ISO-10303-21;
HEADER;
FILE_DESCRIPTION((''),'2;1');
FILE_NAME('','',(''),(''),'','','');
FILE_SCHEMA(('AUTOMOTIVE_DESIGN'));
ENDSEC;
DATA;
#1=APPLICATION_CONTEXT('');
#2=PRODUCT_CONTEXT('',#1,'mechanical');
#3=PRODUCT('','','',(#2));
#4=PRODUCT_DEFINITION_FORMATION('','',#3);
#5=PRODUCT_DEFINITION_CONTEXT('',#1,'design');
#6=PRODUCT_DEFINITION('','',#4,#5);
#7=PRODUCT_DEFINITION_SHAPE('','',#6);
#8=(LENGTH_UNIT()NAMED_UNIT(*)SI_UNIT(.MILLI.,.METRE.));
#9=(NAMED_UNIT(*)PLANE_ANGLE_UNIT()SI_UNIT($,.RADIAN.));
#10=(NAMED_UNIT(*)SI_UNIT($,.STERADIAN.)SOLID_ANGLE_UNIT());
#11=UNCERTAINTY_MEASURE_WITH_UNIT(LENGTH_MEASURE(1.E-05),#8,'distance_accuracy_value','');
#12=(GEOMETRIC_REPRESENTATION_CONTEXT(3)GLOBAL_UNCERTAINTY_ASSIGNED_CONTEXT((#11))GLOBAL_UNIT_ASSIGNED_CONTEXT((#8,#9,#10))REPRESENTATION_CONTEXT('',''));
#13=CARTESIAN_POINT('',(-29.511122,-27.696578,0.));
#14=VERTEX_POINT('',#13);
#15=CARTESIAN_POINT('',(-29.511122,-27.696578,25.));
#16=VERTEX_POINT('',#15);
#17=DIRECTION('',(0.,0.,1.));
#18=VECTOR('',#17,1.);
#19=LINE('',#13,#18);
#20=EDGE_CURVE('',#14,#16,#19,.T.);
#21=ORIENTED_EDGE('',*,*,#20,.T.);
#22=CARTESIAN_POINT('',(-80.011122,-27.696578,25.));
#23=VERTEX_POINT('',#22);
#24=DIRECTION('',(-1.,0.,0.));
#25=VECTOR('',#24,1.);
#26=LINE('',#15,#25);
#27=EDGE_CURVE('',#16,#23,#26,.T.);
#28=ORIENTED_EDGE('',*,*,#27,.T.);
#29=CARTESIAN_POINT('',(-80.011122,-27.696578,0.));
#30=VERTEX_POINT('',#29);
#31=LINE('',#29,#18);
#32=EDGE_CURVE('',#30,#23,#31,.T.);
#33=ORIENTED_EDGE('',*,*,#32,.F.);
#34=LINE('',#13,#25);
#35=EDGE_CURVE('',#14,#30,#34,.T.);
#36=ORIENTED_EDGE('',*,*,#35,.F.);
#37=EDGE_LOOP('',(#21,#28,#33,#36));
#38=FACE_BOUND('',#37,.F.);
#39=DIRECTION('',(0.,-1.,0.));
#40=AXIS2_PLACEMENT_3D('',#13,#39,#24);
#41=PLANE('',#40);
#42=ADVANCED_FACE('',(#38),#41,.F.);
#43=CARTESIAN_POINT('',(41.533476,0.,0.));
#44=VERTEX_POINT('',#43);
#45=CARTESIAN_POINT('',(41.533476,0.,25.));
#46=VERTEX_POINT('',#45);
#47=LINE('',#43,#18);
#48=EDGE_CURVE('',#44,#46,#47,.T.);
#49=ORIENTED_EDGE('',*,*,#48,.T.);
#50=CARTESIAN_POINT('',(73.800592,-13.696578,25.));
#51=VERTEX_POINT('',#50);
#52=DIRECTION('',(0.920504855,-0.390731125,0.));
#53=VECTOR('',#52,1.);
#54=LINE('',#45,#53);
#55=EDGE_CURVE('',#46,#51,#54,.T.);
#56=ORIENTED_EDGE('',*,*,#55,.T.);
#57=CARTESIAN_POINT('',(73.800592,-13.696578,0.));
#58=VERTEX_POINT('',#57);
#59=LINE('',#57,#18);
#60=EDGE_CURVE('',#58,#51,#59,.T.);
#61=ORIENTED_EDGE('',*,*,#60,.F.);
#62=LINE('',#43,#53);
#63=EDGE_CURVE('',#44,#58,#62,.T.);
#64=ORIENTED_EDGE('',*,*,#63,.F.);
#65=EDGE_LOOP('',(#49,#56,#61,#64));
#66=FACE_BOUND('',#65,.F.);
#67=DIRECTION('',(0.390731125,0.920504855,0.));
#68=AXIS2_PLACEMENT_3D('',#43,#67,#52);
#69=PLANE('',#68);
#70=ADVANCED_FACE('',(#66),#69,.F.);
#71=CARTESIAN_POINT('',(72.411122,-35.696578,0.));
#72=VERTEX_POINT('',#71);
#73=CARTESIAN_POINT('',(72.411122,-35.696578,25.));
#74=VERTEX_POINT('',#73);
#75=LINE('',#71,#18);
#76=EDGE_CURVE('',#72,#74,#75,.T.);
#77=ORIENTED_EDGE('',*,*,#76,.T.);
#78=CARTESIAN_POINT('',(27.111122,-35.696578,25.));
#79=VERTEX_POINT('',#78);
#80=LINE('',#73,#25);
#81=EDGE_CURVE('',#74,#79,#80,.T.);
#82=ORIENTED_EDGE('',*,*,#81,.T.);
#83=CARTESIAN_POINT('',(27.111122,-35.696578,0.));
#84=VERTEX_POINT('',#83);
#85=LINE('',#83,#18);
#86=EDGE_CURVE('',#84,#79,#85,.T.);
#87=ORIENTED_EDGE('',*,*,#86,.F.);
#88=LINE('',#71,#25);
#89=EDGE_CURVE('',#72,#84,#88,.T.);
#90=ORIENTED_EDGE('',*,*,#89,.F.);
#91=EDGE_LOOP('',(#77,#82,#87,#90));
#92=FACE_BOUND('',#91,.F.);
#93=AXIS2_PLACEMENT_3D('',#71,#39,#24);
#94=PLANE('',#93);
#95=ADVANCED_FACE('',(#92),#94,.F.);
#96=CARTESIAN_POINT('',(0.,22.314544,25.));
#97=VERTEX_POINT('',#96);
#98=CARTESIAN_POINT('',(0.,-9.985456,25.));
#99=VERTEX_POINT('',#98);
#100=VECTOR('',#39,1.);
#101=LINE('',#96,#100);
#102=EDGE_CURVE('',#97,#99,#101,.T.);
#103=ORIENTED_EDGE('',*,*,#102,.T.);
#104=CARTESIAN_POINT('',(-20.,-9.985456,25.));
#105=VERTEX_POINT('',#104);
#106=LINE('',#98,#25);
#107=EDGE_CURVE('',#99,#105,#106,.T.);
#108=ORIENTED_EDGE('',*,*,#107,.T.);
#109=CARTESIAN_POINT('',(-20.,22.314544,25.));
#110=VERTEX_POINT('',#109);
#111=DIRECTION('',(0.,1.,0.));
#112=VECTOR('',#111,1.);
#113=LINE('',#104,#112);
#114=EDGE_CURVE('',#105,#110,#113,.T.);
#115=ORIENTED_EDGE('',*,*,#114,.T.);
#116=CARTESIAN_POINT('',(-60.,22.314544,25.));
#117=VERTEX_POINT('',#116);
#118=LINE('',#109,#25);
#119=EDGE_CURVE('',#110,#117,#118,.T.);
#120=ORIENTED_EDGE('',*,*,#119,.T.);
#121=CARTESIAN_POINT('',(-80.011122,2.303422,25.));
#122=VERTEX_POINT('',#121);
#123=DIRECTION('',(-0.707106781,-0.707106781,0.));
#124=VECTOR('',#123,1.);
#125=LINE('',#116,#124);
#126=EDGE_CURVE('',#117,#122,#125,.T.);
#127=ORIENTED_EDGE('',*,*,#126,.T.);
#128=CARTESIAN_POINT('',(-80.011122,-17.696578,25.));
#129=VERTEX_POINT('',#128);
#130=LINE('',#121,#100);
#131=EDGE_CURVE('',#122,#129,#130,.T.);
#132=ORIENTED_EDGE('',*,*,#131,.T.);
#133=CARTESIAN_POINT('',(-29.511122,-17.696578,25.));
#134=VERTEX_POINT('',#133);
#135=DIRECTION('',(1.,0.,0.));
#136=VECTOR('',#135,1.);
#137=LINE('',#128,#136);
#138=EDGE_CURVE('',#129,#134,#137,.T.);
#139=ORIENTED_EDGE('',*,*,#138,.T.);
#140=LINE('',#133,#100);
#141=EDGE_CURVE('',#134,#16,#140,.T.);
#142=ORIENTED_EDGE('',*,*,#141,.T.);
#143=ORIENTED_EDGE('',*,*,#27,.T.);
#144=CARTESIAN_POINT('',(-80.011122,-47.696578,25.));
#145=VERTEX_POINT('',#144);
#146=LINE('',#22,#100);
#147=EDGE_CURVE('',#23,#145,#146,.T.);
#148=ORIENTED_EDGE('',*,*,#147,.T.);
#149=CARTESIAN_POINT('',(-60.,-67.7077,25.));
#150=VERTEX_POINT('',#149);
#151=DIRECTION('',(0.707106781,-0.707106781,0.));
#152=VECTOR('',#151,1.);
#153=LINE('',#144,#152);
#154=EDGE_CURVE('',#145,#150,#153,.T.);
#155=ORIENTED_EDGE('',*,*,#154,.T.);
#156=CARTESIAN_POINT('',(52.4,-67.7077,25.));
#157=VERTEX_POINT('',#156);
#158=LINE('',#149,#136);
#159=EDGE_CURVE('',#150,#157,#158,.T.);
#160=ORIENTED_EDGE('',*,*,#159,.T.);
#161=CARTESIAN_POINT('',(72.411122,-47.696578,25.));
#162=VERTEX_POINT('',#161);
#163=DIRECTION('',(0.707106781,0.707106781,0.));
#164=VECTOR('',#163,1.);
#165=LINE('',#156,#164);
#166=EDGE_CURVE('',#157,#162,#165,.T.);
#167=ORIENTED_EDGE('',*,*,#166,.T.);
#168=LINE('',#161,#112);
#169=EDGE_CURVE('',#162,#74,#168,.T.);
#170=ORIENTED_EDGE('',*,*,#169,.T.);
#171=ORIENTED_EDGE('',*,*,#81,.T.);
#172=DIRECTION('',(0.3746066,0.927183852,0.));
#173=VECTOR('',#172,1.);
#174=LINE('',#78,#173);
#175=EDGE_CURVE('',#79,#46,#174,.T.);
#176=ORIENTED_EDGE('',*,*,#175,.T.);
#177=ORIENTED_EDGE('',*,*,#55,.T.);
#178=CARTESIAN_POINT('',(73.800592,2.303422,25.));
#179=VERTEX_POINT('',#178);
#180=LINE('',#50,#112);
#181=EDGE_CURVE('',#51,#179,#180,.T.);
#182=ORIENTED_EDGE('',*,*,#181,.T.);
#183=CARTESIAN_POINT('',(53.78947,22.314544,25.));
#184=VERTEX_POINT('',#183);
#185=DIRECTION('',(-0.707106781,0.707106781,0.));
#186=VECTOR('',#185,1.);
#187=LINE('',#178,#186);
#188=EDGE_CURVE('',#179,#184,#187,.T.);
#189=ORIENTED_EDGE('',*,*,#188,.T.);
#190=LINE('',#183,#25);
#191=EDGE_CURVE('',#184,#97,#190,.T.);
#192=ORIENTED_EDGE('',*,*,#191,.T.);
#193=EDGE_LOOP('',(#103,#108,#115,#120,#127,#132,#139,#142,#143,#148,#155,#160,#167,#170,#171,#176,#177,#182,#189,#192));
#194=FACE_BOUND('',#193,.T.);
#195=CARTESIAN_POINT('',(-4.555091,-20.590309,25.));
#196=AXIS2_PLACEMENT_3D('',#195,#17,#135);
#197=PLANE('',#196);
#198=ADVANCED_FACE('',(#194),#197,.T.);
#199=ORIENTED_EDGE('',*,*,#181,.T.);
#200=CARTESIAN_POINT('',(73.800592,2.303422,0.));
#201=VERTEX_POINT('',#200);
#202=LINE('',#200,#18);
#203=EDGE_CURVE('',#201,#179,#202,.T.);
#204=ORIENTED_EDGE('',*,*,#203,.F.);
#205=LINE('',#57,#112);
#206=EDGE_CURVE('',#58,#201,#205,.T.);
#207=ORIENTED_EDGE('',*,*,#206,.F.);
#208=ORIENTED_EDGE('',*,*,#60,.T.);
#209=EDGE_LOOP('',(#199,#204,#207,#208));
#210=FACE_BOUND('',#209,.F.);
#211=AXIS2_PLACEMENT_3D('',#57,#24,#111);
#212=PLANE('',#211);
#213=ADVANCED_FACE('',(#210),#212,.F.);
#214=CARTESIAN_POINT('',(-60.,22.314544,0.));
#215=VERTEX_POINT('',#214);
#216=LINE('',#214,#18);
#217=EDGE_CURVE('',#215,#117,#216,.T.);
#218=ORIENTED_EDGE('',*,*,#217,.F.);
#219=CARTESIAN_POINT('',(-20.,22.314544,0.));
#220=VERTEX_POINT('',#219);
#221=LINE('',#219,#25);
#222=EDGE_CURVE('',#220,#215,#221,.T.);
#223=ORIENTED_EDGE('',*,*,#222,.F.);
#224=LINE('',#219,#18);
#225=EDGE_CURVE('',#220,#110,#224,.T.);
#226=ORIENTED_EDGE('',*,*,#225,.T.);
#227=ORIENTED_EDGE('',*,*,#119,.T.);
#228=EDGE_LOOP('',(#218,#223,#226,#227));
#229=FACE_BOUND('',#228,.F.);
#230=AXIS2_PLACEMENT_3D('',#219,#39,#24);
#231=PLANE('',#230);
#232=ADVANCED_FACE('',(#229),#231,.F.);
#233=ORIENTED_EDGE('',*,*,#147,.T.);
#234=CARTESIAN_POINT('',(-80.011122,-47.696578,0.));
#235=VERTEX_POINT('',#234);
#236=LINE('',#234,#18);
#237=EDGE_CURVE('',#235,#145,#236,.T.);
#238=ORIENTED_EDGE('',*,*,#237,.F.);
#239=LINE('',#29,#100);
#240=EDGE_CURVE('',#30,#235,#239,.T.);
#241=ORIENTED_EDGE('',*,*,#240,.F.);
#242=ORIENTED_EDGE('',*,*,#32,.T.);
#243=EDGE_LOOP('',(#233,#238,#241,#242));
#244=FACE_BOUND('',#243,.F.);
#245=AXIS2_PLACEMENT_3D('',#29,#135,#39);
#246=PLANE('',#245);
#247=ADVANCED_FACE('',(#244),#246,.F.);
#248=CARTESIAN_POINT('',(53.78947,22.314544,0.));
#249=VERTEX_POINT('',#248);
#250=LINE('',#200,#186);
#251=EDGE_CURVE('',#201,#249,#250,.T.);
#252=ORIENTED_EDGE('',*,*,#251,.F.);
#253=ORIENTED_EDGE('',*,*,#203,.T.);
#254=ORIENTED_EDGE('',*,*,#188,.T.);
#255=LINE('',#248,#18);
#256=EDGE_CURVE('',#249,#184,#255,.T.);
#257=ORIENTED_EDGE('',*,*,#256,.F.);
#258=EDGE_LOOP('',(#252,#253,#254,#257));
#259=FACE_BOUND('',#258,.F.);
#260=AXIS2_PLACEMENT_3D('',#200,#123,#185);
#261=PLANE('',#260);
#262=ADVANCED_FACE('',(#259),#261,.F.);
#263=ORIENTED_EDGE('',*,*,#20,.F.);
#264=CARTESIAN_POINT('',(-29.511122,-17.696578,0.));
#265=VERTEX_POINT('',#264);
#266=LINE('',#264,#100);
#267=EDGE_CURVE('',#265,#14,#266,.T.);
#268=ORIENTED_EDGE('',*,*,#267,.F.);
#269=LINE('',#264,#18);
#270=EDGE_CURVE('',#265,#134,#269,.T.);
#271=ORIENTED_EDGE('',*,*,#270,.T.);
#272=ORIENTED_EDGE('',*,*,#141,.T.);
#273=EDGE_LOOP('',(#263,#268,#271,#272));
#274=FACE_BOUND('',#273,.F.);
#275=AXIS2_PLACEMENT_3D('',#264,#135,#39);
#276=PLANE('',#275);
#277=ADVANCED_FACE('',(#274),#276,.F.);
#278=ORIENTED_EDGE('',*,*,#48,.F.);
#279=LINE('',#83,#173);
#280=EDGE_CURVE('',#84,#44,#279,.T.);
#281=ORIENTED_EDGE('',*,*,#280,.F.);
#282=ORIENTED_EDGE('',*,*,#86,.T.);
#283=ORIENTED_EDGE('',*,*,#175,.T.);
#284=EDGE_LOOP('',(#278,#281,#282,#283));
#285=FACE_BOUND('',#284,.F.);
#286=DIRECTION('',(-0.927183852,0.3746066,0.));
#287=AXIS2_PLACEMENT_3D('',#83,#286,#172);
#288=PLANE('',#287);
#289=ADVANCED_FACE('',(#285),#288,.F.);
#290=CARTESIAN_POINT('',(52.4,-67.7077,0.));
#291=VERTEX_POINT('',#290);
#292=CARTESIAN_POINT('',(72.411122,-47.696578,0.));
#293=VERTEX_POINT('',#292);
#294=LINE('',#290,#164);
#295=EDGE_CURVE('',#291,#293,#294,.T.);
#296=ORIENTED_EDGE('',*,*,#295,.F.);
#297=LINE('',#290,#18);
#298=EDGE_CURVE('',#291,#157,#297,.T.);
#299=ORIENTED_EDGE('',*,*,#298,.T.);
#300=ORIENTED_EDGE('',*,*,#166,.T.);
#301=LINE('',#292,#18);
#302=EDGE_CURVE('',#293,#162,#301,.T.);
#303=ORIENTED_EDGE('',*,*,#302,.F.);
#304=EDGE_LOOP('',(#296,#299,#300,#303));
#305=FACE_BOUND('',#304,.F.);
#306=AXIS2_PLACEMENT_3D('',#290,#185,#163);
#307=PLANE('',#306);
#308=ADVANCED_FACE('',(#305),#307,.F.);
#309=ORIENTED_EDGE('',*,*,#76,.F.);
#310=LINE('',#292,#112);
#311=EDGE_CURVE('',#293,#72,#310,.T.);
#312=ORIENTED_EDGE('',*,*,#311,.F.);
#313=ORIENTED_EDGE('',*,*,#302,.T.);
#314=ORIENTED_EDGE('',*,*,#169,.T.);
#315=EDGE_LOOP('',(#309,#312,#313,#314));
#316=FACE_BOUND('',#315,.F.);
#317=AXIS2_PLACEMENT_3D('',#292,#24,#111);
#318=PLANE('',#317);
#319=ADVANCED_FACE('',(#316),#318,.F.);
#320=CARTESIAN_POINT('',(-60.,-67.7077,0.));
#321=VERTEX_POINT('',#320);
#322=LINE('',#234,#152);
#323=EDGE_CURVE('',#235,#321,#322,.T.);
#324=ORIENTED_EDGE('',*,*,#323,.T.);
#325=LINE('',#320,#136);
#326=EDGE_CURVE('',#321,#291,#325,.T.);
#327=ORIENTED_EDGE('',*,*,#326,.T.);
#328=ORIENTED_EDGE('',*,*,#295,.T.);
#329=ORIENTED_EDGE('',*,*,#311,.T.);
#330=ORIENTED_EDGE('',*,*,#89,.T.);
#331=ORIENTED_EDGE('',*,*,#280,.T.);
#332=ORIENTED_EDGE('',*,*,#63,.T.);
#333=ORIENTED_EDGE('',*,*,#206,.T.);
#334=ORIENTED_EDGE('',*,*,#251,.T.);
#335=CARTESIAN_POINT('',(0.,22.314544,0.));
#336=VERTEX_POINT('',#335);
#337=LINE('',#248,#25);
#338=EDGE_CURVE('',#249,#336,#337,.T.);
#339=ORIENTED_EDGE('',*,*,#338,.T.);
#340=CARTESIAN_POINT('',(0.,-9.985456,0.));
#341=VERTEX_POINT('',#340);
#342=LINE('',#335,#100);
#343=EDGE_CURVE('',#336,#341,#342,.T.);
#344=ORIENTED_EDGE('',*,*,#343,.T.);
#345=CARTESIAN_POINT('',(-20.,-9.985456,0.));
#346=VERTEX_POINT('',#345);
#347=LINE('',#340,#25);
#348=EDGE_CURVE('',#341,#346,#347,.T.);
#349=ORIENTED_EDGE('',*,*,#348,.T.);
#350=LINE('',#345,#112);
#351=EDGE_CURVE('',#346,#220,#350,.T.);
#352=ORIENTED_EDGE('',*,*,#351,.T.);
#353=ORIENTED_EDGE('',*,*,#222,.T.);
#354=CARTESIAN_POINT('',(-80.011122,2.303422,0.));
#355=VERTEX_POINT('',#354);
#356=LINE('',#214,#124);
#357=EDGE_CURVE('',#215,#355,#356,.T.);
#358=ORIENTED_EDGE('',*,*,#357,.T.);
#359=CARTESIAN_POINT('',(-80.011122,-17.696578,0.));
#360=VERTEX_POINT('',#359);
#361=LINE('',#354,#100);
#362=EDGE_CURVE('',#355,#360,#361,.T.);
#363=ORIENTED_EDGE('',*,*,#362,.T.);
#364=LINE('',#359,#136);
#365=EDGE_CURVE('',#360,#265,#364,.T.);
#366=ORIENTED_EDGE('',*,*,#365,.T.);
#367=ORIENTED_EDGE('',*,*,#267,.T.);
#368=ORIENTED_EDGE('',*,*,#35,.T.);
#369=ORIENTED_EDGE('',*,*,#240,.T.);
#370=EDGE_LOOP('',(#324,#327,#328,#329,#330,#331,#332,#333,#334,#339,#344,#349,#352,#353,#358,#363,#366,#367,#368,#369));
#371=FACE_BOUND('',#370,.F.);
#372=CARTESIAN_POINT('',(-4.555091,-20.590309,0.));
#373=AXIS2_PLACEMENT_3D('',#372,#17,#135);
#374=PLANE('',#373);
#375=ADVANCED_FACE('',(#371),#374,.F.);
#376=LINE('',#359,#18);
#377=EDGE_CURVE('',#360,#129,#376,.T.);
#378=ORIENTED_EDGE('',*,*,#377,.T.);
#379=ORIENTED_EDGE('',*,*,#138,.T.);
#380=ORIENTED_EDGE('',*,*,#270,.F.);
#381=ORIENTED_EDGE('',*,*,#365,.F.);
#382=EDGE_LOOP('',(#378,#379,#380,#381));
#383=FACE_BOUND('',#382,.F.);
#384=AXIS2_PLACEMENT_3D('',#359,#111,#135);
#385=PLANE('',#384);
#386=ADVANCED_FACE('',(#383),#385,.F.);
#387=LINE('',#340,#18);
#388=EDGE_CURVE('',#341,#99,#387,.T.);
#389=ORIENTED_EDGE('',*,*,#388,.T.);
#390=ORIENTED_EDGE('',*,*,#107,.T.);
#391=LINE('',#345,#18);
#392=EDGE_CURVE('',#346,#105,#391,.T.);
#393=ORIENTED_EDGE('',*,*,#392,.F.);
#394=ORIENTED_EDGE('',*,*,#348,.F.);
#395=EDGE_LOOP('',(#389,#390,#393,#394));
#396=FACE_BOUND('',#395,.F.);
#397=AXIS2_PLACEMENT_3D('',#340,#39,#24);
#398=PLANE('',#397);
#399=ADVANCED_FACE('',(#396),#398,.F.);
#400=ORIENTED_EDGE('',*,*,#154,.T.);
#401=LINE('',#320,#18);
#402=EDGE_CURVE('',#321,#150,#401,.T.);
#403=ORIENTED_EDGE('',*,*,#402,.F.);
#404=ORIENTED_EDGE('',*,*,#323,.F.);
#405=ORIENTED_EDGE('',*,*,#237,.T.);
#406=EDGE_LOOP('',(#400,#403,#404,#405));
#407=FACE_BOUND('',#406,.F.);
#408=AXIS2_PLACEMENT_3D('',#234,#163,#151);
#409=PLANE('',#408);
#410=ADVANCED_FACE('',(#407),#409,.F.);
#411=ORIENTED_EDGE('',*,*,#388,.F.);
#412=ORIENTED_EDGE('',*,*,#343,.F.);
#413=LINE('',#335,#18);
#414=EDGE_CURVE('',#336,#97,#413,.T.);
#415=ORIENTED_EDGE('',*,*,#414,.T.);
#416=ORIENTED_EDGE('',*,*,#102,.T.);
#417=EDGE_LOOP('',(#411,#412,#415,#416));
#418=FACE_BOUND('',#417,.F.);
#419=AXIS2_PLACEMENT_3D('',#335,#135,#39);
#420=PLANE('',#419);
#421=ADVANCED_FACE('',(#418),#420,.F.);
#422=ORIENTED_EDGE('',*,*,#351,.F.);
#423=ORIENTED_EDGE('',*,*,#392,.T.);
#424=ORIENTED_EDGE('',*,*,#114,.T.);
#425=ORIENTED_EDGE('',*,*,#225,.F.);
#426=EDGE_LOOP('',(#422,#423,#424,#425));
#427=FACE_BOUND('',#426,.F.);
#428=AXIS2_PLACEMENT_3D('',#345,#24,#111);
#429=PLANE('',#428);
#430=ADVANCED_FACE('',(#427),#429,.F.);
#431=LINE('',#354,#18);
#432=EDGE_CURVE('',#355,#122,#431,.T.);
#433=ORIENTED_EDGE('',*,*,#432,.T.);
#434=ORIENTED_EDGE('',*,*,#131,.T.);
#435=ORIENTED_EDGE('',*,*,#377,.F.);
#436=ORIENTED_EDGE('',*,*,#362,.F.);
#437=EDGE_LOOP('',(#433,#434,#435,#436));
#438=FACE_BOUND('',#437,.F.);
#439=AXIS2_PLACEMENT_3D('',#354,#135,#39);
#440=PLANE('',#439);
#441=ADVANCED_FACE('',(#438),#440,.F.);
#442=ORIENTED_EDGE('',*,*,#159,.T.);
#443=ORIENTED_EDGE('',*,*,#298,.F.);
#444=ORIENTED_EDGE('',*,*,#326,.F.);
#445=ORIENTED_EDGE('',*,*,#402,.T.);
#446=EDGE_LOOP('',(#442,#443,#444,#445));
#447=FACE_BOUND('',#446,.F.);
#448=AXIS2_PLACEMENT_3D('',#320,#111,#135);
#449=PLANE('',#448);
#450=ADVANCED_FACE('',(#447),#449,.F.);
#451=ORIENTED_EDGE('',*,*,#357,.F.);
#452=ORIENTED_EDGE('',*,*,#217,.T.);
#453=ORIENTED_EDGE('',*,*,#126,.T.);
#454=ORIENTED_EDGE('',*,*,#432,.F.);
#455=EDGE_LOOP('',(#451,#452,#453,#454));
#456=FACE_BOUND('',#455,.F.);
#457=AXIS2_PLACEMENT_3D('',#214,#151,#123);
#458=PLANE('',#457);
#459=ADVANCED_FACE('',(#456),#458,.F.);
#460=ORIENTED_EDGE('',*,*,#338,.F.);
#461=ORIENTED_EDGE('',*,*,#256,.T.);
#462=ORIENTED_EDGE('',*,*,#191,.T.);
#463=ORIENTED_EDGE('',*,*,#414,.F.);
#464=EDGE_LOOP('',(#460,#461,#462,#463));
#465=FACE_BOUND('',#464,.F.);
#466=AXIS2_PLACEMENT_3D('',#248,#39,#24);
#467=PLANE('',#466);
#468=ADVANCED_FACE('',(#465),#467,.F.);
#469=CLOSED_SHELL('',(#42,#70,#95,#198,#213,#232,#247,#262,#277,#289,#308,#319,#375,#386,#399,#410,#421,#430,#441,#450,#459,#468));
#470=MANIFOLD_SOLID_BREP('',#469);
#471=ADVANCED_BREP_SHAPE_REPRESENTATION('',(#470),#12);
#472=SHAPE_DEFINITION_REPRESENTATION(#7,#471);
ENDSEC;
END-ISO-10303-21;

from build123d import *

# Parameters (mm, degrees)
F1_DEPTH = 25
F2_DEPTH = 25


with BuildPart() as f1:
    # F0 (on Top) → F1 (new body)
    with BuildSketch(Plane.XY):
        Polygon((-80.011122, -47.696578), (-60, -67.7077), (52.4, -67.7077), (72.411122, -47.696578), (72.411122, -35.696578), (27.111122, -35.696578), (41.533476, 0), (73.800592, -13.696578), (73.800592, 2.303422), (53.78947, 22.314544), (0, 22.314544), (0, -9.985456), (-20, -9.985456), (-20, 22.314544), (-60, 22.314544), (-80.011122, 2.303422), (-80.011122, -17.696578), (-29.511122, -17.696578), (-29.511122, -27.696578), (-80.011122, -27.696578), align=None)
    extrude(amount=F1_DEPTH)

    # F0 (on Top) → F2 (join)
    with BuildSketch(Plane.XY):
        Polygon((-80.011122, -47.696578), (-60, -67.7077), (52.4, -67.7077), (72.411122, -47.696578), (72.411122, -35.696578), (27.111122, -35.696578), (41.533476, 0), (73.800592, -13.696578), (73.800592, 2.303422), (53.78947, 22.314544), (0, 22.314544), (0, -9.985456), (-20, -9.985456), (-20, 22.314544), (-60, 22.314544), (-80.011122, 2.303422), (-80.011122, -17.696578), (-29.511122, -17.696578), (-29.511122, -27.696578), (-80.011122, -27.696578), align=None)
    extrude(amount=F2_DEPTH)


solid = f1.part
